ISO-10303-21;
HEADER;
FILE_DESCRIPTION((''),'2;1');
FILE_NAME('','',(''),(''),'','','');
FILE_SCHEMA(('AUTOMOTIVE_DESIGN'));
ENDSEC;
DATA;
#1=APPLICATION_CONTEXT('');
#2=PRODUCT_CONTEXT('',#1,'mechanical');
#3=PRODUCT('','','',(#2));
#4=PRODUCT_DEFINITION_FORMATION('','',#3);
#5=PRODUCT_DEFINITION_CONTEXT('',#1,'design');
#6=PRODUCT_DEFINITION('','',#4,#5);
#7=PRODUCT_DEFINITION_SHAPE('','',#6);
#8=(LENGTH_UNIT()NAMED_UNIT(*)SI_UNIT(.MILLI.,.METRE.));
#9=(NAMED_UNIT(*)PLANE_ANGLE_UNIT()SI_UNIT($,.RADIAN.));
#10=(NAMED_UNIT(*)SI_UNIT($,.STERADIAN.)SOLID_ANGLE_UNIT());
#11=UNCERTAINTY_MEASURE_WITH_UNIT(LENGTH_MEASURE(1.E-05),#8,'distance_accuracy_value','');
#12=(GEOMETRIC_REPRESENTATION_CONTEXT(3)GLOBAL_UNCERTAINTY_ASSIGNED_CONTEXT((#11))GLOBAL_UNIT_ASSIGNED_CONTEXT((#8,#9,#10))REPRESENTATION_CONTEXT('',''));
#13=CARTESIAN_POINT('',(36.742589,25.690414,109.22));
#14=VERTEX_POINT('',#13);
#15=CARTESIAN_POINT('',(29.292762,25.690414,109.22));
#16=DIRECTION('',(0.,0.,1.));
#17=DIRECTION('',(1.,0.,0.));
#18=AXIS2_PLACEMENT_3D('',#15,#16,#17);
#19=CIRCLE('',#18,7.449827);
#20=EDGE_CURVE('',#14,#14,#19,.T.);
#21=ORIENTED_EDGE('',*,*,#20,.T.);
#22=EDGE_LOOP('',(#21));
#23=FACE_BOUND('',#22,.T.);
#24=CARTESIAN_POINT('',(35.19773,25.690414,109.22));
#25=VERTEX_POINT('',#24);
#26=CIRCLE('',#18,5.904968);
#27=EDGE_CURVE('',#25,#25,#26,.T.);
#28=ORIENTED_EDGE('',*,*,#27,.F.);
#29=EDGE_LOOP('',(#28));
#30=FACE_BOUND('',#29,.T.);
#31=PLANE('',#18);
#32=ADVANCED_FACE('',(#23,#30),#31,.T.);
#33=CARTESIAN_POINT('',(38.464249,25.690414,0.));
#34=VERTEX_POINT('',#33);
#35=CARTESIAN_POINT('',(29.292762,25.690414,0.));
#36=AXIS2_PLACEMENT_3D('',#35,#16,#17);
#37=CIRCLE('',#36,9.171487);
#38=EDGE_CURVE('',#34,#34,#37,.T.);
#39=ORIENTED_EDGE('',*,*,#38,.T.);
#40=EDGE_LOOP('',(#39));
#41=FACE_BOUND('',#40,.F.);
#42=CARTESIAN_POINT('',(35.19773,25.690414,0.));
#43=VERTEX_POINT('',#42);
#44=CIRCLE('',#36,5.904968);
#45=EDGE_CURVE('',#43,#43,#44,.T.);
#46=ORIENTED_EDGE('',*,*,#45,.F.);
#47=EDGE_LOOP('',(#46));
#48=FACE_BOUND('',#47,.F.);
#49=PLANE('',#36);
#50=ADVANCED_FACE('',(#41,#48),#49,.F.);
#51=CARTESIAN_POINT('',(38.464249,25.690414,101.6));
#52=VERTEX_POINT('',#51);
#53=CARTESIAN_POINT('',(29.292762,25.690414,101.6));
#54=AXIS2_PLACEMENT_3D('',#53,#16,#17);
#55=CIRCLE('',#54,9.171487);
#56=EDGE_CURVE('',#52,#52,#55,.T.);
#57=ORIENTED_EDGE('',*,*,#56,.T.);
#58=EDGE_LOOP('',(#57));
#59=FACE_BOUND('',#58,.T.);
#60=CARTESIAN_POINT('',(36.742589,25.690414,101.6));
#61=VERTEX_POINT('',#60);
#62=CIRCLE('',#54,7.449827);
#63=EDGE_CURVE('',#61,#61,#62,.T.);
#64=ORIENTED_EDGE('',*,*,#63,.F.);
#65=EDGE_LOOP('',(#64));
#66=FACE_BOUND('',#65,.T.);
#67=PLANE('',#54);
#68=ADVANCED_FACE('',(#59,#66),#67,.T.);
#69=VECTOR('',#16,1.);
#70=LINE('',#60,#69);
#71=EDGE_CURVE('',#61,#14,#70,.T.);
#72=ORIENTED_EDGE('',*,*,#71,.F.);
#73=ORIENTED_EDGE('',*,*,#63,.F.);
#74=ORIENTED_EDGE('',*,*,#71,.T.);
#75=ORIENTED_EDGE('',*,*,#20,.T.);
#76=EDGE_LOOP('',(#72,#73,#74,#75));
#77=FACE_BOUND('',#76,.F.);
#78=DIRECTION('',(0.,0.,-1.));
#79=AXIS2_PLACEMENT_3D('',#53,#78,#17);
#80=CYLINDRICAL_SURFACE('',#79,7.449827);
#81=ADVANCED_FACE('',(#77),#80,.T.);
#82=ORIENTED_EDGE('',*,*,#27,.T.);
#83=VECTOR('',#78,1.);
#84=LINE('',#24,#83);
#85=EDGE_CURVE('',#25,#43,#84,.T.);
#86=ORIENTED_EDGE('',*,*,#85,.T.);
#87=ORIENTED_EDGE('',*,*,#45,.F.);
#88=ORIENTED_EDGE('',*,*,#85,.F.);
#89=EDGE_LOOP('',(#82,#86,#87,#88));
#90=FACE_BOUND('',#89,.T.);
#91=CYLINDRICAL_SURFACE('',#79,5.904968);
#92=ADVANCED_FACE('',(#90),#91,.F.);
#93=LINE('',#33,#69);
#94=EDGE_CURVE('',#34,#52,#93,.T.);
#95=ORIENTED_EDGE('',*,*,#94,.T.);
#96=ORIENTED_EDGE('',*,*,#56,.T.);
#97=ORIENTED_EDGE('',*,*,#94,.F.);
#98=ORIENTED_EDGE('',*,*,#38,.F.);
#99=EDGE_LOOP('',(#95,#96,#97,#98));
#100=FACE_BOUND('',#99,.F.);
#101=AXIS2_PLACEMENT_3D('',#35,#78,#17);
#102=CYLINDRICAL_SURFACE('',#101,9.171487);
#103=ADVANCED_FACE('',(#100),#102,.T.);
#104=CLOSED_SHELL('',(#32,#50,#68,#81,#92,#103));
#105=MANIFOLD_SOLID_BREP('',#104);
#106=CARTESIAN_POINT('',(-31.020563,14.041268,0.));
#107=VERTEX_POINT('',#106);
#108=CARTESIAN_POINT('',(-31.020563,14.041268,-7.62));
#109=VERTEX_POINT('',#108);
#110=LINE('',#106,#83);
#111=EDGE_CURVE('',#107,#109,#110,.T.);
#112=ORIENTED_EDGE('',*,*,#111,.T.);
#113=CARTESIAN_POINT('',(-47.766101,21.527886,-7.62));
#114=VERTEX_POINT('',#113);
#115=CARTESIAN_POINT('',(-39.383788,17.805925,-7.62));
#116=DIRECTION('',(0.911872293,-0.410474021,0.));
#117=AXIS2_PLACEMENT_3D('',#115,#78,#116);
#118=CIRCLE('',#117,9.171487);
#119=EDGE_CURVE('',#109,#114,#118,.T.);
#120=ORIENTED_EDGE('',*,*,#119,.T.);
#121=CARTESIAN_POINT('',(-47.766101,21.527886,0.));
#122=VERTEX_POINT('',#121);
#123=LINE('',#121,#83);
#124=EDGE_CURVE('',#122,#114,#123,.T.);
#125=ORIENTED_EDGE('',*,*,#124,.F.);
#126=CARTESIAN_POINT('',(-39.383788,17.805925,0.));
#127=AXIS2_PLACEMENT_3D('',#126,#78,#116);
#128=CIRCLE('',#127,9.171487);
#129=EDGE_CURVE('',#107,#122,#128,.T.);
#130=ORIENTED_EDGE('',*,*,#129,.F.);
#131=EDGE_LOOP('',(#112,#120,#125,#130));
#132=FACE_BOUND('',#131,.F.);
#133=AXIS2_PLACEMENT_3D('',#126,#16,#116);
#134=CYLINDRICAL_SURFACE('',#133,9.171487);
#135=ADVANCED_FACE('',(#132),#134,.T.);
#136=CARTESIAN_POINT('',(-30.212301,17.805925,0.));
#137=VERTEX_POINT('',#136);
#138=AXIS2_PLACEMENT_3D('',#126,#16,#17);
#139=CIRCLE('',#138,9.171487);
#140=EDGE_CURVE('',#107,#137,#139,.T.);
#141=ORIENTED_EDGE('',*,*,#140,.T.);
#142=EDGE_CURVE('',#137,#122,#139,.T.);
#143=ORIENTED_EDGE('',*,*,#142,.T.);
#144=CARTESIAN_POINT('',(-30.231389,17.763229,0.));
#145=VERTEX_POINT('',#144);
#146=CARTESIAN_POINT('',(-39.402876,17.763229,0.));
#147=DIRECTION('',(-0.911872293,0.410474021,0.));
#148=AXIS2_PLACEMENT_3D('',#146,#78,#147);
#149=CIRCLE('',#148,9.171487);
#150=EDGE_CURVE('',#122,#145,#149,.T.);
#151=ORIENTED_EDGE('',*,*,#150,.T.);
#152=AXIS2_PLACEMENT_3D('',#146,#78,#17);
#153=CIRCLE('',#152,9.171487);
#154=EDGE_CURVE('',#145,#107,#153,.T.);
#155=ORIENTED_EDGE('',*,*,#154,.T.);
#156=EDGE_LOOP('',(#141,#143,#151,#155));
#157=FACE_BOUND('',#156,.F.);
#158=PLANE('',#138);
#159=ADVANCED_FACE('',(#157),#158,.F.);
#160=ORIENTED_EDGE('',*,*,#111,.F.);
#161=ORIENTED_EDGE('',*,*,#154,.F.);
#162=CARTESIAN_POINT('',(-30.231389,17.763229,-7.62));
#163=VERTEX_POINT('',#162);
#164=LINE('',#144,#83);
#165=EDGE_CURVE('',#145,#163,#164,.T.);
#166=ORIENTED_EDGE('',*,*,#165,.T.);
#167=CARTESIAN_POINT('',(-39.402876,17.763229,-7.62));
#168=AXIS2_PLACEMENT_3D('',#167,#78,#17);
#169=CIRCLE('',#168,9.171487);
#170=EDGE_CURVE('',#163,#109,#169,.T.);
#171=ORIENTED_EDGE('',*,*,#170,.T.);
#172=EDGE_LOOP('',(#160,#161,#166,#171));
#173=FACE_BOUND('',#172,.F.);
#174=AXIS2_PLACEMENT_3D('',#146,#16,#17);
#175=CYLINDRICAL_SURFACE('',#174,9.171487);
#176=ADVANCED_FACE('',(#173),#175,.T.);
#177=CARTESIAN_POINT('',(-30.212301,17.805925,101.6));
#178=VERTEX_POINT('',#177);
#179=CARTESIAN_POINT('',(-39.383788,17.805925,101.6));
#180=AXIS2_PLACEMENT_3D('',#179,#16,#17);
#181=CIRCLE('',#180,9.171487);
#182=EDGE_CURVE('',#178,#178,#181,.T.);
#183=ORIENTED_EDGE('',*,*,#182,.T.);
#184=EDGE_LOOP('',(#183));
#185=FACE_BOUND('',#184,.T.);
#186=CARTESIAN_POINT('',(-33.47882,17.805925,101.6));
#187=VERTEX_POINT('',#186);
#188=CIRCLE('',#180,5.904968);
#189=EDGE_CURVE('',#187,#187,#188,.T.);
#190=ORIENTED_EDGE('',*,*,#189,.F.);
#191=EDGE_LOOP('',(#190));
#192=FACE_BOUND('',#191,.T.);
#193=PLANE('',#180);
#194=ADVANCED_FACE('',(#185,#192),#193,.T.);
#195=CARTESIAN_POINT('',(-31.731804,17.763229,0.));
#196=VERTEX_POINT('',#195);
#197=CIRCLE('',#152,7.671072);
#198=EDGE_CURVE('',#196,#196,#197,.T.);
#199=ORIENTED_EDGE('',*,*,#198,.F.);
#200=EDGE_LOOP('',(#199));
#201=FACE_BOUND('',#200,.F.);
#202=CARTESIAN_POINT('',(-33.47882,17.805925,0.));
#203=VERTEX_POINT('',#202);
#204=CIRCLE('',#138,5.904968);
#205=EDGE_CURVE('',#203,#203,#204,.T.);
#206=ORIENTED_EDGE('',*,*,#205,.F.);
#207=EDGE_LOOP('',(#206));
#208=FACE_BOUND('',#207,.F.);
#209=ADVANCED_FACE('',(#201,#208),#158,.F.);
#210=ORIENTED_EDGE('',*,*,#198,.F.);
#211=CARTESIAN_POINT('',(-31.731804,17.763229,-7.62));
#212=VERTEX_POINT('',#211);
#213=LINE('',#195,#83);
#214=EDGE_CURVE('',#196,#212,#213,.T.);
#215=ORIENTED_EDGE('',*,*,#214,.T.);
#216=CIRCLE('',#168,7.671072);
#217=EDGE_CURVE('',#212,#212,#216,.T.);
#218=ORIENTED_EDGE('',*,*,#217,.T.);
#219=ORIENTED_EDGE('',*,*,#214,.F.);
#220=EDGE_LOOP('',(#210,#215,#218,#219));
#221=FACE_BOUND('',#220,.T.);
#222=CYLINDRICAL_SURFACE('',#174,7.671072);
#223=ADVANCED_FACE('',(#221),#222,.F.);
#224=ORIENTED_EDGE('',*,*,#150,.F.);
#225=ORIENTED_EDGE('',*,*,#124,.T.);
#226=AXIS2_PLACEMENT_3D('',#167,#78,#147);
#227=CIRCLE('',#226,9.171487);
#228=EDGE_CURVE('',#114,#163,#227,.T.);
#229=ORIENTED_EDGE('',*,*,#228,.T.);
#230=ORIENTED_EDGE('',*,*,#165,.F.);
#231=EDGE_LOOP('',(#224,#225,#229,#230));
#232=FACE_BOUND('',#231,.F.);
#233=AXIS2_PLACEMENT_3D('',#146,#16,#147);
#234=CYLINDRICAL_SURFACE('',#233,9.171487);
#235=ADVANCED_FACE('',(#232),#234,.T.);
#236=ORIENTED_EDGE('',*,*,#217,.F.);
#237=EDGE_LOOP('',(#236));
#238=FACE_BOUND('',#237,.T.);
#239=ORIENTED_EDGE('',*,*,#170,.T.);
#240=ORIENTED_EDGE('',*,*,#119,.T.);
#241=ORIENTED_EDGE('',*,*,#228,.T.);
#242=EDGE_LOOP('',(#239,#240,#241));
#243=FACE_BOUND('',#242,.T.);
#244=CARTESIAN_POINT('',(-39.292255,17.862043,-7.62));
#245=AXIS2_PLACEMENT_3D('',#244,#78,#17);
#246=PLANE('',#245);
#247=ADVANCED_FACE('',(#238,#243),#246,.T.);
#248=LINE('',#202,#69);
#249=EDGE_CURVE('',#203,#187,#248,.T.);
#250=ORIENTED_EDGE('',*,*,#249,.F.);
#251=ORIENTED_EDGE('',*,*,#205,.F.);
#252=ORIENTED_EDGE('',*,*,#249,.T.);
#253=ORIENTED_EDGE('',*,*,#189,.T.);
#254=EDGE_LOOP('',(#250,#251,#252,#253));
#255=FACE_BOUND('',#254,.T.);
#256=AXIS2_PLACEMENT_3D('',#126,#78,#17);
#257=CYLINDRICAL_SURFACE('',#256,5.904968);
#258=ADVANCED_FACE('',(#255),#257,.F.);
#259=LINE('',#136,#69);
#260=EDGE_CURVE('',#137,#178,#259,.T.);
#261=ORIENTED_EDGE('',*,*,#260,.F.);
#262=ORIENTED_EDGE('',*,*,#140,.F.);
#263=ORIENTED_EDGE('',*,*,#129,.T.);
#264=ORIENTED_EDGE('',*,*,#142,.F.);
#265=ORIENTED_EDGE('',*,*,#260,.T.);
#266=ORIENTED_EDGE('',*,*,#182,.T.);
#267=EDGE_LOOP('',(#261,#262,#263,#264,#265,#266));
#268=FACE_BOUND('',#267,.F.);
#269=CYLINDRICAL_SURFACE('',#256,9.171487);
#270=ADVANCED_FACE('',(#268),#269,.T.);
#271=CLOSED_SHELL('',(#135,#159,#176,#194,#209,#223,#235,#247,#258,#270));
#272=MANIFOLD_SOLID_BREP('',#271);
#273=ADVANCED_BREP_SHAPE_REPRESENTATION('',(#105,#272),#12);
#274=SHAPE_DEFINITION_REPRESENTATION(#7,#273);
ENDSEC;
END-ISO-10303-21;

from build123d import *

# Parameters (mm, degrees)
F0_R     = 9.1714865533
F0_R_2   = 7.6710719474
F0_R_3   = 5.9049676463
F1_DEPTH = 101.6
F2_R     = 7.4498269309
F2_R_2   = 5.9049676463
F3_DEPTH = 7.62
F4_R     = 9.1714865533
F4_R_2   = 7.6710719474
F4_R_3   = 5.9049676463
F5_DEPTH = 101.6
F6_R     = 7.6710719474
F7_DEPTH = 7.62


with BuildPart() as f1:
    # F0 (on Top) → F1 (new body)
    with BuildSketch(Plane.XY):
        with Locations((29.2927622795, 25.6904140115)):
            Circle(F0_R)
        with Locations((29.2927622795, 25.6904140115)):
            Circle(F0_R_2, mode=Mode.SUBTRACT)
        with Locations((29.2927622795, 25.6904140115)):
            Circle(F0_R_2)
        with Locations((29.2927622795, 25.6904140115)):
            Circle(F0_R_3, mode=Mode.SUBTRACT)
    extrude(amount=F1_DEPTH)

    # F2 (on face) → F3 (join)
    with BuildSketch(Plane.XY.offset(101.6)):
        with Locations((29.2927622795, 25.6904140115)):
            Circle(F2_R)
        with Locations((29.2927622795, 25.6904140115)):
            Circle(F2_R_2, mode=Mode.SUBTRACT)
    extrude(amount=F3_DEPTH)


with BuildPart() as f5:
    # F4 (on Top) → F5 (new body)
    with BuildSketch(Plane.XY):
        with Locations((-39.3837876618, 17.8059246391)):
            Circle(F4_R)
        with Locations((-39.3837876618, 17.8059246391)):
            Circle(F4_R_2, mode=Mode.SUBTRACT)
        with Locations((-39.3837876618, 17.8059246391)):
            Circle(F4_R_2)
        with Locations((-39.3837876618, 17.8059246391)):
            Circle(F4_R_3, mode=Mode.SUBTRACT)
    extrude(amount=F5_DEPTH)

    # F6 (on face) → F7 (join)
    with BuildSketch(Plane(origin=(0, 0, 0), x_dir=(1, 0, 0), z_dir=(0, 0, -1))):
        with BuildLine():
            ThreePointArc((-47.7661005186, -21.5278860533), (-37.4776533563, -26.7303737374), (-30.2313894959, -17.763229087))
            ThreePointArc((-30.2313894959, -17.763229087), (-30.4308518838, -15.8608758146), (-31.0205631925, -14.0412676728))
            ThreePointArc((-31.0205631925, -14.0412676728), (-43.1271090193, -9.4331287612), (-47.7661005186, -21.5278860533))
        make_face()
        with Locations((-39.4028760493, -17.763229087)):
            Circle(F6_R, mode=Mode.SUBTRACT)
    extrude(amount=F7_DEPTH)


solid = Compound([f1.part, f5.part])
